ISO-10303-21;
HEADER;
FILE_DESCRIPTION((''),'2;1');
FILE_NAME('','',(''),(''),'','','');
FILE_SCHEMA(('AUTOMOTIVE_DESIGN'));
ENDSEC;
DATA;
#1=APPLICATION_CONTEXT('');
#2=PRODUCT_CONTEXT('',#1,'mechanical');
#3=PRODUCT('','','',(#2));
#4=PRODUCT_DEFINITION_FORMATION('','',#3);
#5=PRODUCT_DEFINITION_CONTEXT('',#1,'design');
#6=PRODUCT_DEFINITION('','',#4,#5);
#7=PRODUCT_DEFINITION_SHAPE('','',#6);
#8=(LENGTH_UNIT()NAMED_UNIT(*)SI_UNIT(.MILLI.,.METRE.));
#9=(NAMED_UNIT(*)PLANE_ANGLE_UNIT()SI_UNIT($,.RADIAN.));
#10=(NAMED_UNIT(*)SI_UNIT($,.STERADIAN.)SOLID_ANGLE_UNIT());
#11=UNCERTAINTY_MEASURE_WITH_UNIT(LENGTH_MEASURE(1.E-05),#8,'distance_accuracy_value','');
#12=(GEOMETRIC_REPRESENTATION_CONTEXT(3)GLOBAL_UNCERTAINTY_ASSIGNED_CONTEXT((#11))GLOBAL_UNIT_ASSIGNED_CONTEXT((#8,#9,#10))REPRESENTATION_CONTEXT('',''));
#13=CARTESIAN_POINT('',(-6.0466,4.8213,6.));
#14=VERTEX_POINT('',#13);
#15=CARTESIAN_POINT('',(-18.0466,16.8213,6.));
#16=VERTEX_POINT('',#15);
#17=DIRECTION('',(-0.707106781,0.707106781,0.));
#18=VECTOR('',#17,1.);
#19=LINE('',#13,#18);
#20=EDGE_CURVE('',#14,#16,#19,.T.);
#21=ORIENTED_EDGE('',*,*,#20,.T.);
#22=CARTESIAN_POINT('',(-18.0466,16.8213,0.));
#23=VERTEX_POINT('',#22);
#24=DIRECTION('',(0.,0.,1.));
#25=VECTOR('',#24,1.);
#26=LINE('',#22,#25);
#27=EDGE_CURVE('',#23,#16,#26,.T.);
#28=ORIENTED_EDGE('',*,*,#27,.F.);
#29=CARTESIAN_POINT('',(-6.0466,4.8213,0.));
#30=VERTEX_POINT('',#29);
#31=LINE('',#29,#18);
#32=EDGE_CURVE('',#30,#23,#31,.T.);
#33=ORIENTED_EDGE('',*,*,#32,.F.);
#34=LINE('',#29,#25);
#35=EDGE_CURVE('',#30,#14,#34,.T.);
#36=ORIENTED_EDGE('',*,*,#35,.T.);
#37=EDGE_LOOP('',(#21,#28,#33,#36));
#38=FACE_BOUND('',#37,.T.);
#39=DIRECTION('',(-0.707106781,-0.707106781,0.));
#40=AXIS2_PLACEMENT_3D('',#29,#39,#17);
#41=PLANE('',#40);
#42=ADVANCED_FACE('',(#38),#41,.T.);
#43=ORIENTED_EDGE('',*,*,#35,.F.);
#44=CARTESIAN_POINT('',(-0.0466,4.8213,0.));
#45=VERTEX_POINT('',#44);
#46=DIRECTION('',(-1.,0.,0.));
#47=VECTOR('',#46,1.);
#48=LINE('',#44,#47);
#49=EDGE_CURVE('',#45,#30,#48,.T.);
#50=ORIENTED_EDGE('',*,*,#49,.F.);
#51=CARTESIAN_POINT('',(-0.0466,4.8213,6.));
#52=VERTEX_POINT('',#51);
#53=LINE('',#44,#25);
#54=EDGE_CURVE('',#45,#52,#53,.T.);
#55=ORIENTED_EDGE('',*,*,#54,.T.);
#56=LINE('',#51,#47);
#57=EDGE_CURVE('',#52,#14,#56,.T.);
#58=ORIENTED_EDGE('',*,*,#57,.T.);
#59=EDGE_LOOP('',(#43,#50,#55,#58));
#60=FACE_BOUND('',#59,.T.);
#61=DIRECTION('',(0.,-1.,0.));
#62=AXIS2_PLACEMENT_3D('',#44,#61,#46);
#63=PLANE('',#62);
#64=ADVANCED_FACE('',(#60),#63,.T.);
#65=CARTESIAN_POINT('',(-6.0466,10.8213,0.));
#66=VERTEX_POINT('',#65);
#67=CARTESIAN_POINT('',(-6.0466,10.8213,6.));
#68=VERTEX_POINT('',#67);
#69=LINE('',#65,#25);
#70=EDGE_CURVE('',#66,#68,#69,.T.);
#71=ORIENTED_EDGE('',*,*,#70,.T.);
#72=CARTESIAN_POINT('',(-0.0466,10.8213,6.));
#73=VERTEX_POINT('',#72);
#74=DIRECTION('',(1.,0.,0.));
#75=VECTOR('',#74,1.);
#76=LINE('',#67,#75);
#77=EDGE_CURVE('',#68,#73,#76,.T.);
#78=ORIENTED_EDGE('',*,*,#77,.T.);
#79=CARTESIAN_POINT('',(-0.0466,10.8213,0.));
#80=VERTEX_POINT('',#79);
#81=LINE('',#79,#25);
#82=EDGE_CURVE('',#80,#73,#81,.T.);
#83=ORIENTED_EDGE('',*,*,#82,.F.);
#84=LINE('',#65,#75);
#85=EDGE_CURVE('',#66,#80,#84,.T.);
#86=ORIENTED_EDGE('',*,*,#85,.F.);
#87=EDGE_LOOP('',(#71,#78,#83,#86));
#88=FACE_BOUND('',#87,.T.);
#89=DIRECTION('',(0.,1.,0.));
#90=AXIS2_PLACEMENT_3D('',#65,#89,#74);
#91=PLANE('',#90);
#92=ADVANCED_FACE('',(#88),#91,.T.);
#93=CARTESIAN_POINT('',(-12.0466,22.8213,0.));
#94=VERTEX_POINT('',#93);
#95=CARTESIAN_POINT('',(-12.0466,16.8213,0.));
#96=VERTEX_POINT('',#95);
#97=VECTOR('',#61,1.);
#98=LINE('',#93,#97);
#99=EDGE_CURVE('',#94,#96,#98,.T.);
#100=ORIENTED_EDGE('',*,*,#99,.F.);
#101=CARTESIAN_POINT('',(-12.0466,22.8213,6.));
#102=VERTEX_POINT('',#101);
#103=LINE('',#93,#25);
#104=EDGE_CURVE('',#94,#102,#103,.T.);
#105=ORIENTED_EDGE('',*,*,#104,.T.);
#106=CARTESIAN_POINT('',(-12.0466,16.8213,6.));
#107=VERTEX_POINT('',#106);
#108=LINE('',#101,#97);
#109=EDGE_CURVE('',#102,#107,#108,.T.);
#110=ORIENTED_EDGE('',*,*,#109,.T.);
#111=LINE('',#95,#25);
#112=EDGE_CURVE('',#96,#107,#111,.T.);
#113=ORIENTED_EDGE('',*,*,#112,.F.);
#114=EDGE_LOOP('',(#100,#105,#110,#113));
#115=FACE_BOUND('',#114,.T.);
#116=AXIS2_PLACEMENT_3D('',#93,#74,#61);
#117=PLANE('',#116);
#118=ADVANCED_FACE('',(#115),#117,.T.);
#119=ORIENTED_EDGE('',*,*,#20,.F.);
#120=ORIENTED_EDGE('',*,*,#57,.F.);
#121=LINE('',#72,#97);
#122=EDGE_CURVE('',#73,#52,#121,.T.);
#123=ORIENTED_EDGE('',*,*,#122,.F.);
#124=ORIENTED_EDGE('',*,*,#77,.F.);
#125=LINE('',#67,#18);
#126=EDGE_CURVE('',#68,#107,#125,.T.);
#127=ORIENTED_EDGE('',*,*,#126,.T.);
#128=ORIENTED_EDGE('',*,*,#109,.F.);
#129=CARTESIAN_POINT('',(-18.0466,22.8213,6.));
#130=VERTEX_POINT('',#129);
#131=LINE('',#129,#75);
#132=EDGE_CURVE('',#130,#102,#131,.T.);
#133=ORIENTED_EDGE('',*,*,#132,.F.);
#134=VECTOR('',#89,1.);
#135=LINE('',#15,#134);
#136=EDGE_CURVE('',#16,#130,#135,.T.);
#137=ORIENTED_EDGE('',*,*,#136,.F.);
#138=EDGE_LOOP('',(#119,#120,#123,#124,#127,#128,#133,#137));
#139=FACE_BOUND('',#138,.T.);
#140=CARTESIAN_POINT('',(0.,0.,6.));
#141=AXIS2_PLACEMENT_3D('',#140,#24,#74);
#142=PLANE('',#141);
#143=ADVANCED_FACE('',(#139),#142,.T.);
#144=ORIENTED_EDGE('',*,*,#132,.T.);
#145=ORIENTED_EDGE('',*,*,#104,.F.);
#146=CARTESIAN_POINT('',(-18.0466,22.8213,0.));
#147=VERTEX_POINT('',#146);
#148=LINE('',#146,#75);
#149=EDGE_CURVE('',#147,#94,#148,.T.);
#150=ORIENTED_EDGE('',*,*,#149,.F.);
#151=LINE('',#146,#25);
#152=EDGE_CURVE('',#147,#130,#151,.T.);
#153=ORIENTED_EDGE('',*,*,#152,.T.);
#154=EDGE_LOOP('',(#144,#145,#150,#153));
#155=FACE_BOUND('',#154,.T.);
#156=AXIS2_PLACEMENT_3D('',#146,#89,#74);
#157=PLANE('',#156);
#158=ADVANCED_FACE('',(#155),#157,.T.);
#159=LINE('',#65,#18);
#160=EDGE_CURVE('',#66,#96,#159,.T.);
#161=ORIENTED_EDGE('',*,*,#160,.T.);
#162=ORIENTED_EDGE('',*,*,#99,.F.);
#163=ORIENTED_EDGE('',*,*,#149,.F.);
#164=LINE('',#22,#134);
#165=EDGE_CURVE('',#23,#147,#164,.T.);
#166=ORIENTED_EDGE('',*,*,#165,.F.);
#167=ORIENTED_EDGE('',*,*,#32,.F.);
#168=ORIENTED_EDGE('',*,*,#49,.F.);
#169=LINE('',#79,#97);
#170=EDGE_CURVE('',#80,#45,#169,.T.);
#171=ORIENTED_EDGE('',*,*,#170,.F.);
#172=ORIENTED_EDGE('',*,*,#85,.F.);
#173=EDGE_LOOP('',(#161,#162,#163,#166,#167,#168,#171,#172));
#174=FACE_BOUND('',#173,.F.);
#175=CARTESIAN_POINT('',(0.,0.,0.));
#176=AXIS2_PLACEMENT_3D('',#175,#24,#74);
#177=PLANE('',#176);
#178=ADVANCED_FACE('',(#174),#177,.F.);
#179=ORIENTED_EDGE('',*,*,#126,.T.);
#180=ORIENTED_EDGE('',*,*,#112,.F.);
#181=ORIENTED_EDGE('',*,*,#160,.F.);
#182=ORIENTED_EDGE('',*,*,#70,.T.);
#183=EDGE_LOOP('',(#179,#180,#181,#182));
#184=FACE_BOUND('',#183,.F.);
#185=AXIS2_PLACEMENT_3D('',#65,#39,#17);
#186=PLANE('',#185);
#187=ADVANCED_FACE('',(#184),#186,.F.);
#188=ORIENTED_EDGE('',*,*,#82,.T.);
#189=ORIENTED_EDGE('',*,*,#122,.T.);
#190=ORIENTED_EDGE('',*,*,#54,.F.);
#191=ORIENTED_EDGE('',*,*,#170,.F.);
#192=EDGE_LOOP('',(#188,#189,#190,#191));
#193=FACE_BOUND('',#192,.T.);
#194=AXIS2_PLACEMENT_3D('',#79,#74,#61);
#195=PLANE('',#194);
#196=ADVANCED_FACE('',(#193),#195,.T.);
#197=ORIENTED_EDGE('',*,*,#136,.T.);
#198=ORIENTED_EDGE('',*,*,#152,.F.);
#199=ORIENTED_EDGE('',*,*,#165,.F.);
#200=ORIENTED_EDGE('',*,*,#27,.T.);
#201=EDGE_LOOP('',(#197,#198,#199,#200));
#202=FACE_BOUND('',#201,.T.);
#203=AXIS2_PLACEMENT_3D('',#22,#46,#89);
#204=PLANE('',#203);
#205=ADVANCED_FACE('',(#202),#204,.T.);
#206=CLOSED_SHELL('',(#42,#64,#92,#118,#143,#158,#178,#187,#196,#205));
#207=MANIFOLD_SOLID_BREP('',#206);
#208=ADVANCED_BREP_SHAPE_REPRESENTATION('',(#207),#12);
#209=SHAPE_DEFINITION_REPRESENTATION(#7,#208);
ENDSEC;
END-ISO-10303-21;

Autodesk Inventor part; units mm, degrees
ref_plane "YZ Plane" through (0, 0, 0) normal (1, 0, 0) x (0, 1, 0)
ref_plane "XZ Plane" through (0, 0, 0) normal (0, 1, 0) x (-1, 0, 0)
ref_plane "XY Plane" through (0, 0, 0) normal (0, 0, 1) x (1, 0, 0)
sketch "Sketch1" plane through (0, 0, 0) normal (0, 0, 1) x (1, 0, 0)
  line L0 (-0.0466, 4.8213) -> (-6.0466, 4.8213)
  line L1 (-6.0466, 4.8213) -> (-6.0466, 10.8213)
  line L2 (-6.0466, 10.8213) -> (-0.0466, 10.8213)
  line L3 (-0.0466, 10.8213) -> (-0.0466, 4.8213)
  line L4 (-12.0466, 16.8213) -> (-18.0466, 16.8213)
  line L5 (-18.0466, 16.8213) -> (-18.0466, 22.8213)
  line L6 (-18.0466, 22.8213) -> (-12.0466, 22.8213)
  line L7 (-12.0466, 22.8213) -> (-12.0466, 16.8213)
  line L8 (-6.0466, 10.8213) -> (-12.0466, 16.8213)
  line L9 (-6.0466, 4.8213) -> (-18.0466, 16.8213)
  point P0 (0, 0)
  dimension "d0" = 6
  dimension "d1" = 6
  dimension "d4" = 6
  dimension "d5" = 6
  dimension "d6" = 45
  dimension "d7" = 6
extrude "Extrusion1" add sketch "Sketch1" along normal blind 6
properties part number "TriangleConnector"
